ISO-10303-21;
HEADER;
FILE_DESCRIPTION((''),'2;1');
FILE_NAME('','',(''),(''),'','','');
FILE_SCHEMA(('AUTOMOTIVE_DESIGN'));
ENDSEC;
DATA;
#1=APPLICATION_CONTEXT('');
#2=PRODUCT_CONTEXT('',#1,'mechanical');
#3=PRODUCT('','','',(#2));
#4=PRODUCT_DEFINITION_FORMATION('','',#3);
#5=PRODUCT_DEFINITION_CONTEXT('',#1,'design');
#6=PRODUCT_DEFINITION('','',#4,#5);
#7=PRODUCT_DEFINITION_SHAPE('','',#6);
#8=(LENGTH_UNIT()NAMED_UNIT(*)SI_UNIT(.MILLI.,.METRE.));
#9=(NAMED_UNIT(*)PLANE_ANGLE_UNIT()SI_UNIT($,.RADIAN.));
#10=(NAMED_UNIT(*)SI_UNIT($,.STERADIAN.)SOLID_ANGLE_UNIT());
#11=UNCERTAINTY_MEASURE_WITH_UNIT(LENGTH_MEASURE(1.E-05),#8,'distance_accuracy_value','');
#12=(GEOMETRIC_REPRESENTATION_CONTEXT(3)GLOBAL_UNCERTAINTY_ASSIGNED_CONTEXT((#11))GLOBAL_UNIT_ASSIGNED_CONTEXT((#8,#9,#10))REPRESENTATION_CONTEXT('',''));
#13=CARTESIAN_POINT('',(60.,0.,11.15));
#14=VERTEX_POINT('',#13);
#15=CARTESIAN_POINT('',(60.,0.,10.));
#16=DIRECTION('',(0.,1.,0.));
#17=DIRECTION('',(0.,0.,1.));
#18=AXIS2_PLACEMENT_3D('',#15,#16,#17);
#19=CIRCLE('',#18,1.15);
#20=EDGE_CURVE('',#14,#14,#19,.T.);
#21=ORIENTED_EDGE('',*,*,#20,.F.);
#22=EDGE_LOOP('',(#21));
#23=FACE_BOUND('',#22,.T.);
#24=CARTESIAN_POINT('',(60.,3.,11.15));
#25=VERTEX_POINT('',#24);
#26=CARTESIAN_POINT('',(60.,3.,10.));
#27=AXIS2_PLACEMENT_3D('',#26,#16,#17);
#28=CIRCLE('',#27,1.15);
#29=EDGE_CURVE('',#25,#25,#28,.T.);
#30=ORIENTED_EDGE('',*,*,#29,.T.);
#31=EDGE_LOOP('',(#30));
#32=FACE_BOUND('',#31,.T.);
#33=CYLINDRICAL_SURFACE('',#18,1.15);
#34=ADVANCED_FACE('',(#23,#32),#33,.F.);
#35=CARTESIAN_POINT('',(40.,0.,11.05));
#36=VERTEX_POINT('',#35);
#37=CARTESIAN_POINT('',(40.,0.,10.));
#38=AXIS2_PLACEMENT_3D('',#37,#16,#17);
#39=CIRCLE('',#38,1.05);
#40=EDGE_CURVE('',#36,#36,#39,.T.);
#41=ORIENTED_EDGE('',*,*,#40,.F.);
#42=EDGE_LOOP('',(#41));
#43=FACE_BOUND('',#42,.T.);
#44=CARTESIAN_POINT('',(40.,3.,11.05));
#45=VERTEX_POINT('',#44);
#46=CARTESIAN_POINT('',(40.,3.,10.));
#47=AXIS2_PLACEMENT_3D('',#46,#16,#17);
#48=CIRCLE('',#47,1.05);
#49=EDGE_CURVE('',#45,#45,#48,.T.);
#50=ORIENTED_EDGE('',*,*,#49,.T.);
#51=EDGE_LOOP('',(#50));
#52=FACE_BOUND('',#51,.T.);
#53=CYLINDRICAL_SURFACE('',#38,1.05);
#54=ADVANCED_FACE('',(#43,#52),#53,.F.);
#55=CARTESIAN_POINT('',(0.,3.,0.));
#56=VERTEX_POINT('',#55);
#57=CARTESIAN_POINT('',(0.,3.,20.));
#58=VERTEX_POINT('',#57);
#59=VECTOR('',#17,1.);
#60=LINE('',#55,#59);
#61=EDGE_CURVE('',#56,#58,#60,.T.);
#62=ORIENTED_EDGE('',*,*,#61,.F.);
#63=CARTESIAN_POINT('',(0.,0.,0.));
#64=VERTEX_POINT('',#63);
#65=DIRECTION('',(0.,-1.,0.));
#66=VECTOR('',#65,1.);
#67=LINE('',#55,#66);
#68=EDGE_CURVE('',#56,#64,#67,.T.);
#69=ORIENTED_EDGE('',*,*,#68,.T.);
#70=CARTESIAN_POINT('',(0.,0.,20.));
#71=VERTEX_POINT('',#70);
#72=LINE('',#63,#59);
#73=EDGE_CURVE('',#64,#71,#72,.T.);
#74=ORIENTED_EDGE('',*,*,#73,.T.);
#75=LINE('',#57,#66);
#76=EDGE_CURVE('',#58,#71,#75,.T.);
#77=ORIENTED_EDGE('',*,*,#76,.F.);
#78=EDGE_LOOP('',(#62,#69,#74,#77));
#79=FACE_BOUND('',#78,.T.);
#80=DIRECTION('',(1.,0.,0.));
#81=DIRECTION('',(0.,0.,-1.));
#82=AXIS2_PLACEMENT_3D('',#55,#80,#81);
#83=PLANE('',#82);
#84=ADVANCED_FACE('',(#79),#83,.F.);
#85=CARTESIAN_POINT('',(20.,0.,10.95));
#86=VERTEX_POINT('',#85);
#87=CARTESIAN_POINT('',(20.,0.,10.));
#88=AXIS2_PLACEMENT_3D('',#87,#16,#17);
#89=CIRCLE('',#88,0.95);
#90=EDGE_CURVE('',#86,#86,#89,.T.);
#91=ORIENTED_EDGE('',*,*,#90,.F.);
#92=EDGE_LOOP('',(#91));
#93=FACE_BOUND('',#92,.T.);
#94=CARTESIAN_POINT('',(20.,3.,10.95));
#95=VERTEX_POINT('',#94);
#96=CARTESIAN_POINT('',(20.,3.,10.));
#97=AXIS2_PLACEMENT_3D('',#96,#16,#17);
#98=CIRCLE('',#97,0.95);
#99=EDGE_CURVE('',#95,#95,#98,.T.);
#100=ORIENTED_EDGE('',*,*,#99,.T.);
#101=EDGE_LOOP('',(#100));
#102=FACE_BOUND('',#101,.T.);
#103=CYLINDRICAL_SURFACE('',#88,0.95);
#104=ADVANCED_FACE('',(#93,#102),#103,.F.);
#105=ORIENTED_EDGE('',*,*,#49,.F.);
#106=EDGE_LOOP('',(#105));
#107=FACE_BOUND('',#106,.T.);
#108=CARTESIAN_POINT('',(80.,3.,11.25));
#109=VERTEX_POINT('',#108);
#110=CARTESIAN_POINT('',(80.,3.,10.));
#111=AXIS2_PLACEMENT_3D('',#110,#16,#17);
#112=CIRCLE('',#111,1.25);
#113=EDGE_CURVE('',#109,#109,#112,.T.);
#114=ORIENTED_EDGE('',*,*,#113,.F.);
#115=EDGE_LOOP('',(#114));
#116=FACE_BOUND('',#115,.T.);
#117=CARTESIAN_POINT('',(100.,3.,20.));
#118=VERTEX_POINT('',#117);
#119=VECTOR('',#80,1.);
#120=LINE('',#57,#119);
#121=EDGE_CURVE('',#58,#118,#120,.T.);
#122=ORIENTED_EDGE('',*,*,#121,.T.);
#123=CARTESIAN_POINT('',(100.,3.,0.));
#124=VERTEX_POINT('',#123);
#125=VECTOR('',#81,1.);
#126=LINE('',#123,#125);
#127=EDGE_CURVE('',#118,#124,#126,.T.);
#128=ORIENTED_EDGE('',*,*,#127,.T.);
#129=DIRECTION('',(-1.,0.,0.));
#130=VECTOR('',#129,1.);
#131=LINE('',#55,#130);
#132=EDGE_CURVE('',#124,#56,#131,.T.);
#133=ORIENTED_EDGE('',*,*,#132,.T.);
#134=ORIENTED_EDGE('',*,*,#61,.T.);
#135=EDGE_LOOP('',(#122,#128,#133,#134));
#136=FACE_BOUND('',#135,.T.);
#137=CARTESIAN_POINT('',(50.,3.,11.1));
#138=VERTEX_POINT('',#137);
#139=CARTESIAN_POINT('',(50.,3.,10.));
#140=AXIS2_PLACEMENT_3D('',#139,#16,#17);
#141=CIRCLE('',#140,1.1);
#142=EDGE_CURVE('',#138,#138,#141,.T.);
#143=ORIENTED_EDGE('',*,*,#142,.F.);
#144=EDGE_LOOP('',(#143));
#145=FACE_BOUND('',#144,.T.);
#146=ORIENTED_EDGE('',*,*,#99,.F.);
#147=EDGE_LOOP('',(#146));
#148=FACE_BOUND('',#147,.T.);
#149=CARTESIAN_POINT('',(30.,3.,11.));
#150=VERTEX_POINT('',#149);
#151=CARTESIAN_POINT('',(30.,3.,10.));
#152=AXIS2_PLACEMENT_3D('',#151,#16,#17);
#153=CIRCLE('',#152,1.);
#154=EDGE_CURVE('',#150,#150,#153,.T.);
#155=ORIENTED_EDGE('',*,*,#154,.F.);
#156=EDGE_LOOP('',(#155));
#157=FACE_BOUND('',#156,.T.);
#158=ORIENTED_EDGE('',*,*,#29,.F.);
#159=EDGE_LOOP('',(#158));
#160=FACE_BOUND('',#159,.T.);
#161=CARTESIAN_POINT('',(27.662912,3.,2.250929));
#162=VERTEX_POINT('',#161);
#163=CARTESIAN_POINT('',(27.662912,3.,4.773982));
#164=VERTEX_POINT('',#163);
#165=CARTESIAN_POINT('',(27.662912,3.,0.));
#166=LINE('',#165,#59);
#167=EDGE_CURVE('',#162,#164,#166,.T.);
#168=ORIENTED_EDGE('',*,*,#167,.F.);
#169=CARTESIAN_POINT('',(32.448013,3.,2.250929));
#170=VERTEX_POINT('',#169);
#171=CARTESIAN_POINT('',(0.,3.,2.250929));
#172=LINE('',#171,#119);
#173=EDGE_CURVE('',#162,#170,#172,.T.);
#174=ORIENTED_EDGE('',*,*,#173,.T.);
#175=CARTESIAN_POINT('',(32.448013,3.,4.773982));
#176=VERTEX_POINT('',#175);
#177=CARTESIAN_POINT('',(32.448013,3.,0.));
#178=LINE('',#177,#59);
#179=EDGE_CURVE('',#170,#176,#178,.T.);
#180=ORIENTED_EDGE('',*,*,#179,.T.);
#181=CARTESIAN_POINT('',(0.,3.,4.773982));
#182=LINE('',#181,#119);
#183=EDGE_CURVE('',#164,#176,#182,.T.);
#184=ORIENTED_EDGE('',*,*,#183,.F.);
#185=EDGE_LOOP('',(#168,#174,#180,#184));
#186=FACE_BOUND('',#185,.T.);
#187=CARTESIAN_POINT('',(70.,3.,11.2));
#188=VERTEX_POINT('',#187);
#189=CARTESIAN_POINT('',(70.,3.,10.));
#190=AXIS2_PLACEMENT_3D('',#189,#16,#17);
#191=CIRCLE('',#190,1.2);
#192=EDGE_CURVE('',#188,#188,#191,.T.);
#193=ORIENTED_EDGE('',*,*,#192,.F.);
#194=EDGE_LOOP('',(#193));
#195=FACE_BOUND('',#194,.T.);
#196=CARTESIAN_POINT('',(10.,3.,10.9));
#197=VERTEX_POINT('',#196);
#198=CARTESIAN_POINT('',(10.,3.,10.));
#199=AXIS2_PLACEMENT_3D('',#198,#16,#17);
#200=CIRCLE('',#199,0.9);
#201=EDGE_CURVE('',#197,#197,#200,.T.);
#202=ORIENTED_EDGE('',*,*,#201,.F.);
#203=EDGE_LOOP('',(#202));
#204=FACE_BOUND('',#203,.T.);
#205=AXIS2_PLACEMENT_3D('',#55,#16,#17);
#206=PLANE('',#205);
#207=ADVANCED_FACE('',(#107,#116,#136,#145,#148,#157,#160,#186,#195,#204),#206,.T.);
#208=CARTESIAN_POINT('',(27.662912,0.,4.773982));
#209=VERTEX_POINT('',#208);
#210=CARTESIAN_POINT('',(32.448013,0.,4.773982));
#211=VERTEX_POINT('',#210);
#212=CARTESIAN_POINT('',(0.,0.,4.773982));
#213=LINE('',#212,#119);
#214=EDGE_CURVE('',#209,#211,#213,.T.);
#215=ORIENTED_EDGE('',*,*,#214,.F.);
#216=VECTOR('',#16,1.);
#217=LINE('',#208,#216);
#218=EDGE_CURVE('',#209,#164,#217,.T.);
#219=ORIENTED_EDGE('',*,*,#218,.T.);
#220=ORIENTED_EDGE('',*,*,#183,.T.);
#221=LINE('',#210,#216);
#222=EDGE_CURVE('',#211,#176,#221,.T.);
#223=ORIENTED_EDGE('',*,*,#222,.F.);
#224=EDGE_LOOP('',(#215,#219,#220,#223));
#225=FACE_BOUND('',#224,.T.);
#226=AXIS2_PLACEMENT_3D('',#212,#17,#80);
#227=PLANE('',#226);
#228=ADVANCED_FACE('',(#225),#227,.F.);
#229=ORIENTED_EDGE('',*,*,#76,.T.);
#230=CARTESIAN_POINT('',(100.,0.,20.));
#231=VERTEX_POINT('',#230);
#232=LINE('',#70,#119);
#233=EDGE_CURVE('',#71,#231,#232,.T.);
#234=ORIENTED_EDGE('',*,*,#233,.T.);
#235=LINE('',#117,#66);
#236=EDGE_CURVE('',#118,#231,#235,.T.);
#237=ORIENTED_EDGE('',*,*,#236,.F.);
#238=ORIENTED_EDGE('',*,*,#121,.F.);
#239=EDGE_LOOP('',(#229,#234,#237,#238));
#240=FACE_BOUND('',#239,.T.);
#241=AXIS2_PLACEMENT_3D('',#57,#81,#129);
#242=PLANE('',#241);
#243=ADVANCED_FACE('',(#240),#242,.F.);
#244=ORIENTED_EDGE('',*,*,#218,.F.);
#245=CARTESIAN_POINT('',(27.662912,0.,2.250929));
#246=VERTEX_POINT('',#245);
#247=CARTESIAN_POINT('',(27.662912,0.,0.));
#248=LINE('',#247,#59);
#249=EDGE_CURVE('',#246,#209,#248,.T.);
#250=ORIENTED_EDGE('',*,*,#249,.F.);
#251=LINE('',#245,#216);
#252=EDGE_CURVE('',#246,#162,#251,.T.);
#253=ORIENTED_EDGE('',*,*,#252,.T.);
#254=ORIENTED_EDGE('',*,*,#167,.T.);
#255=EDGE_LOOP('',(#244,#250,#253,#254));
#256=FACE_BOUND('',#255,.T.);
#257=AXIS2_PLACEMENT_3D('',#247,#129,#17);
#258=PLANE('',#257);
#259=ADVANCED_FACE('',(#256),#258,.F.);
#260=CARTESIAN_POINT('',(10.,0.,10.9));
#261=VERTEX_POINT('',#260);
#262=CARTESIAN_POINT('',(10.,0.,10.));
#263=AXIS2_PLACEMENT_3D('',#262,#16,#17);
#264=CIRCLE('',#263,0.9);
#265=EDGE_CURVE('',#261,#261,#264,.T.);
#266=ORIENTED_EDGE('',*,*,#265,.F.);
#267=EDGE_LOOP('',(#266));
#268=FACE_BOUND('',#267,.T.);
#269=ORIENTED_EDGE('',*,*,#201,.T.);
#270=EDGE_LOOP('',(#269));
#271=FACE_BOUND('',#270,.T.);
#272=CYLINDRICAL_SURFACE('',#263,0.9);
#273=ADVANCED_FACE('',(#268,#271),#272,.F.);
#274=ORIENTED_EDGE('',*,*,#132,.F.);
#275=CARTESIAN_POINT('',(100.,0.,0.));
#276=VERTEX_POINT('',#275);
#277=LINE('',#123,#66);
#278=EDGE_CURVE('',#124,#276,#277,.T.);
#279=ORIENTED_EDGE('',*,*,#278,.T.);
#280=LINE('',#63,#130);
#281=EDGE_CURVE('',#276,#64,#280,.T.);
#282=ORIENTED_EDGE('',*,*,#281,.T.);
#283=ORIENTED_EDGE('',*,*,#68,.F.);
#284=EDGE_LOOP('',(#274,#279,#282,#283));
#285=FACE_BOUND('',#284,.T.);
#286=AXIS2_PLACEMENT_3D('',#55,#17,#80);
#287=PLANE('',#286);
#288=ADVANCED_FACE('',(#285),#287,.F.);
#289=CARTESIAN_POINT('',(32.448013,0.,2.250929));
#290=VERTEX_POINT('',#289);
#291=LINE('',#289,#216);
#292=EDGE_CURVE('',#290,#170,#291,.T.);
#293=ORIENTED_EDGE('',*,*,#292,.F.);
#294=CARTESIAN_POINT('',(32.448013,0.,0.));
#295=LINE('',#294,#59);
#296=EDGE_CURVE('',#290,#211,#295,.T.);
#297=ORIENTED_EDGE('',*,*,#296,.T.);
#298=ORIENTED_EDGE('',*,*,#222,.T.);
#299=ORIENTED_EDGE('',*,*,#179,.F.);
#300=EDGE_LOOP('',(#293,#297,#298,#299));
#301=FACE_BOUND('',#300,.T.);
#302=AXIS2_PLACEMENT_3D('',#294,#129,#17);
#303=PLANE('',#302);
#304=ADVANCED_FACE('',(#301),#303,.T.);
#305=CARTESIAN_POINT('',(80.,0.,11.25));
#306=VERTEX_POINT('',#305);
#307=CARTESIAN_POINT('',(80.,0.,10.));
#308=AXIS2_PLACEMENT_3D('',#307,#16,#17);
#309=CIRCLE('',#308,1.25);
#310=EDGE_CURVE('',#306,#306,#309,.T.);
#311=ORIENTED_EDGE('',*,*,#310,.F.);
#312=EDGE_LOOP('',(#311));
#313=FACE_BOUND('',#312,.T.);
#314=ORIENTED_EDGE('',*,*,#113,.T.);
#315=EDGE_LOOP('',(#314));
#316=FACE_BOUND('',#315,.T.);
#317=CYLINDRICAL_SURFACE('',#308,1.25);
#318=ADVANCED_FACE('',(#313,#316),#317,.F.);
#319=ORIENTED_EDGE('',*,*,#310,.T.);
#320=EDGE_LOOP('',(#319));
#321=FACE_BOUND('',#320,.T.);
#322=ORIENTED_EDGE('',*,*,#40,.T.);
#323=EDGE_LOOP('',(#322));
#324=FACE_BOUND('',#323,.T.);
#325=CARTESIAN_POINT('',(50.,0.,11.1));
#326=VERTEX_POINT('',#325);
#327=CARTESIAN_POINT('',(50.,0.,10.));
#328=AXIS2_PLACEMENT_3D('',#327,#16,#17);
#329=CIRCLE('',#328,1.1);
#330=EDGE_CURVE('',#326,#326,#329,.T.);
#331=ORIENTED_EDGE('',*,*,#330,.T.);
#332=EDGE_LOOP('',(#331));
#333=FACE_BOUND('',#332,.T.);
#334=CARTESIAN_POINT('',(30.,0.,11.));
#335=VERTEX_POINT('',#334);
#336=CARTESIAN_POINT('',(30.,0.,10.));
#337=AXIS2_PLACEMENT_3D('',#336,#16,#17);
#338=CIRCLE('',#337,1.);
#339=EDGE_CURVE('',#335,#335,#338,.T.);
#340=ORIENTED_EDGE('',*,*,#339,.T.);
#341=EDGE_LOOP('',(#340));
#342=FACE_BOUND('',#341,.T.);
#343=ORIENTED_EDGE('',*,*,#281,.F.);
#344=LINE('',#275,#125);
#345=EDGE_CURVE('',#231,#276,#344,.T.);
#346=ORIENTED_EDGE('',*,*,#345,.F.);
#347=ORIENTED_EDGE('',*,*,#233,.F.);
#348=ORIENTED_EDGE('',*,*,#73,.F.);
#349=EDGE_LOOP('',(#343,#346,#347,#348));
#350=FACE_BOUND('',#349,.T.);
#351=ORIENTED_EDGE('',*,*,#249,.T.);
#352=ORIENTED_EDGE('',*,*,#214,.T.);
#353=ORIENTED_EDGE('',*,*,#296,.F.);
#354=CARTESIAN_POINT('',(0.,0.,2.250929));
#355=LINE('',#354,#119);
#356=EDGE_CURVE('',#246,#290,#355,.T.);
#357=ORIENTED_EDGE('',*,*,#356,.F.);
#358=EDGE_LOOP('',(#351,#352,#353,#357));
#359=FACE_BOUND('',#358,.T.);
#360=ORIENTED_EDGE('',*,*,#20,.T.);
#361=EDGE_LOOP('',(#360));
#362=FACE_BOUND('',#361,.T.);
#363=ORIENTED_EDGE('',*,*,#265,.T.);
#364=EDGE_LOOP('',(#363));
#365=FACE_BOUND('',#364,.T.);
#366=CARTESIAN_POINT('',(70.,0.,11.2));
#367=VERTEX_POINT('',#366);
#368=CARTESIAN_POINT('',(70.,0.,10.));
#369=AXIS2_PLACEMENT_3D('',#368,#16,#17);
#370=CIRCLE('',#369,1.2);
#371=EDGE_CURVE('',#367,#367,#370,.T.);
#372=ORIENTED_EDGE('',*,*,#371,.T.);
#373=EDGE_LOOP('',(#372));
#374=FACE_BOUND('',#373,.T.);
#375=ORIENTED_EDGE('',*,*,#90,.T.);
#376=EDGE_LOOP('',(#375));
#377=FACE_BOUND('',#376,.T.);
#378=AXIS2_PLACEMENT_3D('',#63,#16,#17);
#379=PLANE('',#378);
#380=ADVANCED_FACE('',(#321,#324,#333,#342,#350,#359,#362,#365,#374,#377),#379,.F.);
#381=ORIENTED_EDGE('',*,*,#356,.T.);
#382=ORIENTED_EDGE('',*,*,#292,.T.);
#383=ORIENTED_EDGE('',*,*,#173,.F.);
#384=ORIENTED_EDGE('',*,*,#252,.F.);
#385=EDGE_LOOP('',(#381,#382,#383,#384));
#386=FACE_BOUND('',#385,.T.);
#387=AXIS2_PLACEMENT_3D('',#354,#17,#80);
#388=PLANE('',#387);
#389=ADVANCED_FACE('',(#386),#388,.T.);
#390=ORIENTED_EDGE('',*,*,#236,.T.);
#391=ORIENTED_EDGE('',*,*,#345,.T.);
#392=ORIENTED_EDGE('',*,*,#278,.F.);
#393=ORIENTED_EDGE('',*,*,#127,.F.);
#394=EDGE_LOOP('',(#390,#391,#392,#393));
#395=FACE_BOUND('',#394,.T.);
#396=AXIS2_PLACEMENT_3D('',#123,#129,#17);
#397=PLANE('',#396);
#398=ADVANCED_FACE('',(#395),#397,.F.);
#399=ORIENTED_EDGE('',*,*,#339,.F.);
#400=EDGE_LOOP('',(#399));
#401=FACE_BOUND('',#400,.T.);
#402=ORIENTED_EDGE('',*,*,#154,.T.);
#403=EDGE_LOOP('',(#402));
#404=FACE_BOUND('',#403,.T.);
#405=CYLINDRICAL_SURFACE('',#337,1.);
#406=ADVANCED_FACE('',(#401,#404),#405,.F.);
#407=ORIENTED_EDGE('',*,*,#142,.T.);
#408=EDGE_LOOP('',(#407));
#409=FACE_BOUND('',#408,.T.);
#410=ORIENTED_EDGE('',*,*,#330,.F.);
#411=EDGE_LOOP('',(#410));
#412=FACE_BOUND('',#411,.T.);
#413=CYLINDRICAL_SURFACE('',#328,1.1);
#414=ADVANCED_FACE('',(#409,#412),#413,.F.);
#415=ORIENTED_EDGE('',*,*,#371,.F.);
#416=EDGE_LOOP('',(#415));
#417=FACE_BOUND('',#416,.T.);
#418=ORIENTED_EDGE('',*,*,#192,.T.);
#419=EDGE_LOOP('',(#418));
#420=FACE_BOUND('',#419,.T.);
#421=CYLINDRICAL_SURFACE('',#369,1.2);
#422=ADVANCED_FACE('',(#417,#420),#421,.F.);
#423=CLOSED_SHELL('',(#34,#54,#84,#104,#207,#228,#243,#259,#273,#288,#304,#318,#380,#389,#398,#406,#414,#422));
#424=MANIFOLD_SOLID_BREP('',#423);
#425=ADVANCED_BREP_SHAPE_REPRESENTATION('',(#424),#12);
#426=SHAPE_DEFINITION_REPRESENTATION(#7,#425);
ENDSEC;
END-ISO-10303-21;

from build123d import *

# Parameters (mm, degrees)
SKETCH1_W           = 100
SKETCH1_H           = 20
BOSS_EXTRUDE1_DEPTH = 3
SKETCH2_W           = 4.785100676
SKETCH2_H           = 2.523053084
CUT_EXTRUDE1_DEPTH  = 3


with BuildPart() as part:
    # Sketch1 → Boss-Extrude1 (new body)
    with BuildSketch(Plane(origin=(0, 0, 0), x_dir=(1, 0, 0), z_dir=(0, 1, 0))):
        with Locations((50, -10)):
            Rectangle(SKETCH1_W, SKETCH1_H)
    extrude(amount=BOSS_EXTRUDE1_DEPTH)

    # Sketch2 → Cut-Extrude1 (cut)
    with BuildSketch(Plane(origin=(0, 3, 0), x_dir=(1, 0, 0), z_dir=(0, 1, 0))):
        with BuildLine():
            ThreePointArc((41.05, -10), (40, -8.95), (38.95, -10))
            Line((38.95, -10), (41.05, -10))
        make_face()
        with BuildLine():
            Line((41.05, -10), (38.95, -10))
            ThreePointArc((38.95, -10), (40, -11.05), (41.05, -10))
        make_face()
        with BuildLine():
            ThreePointArc((31, -10), (30, -9), (29, -10))
            Line((29, -10), (31, -10))
        make_face()
        with BuildLine():
            Line((31, -10), (29, -10))
            ThreePointArc((29, -10), (30, -11), (31, -10))
        make_face()
        with Locations((30.05546257, -3.512455318)):
            Rectangle(SKETCH2_W, SKETCH2_H)
        with BuildLine():
            ThreePointArc((20.95, -10), (20, -9.05), (19.05, -10))
            Line((19.05, -10), (20.95, -10))
        make_face()
        with BuildLine():
            Line((20.95, -10), (19.05, -10))
            ThreePointArc((19.05, -10), (20, -10.95), (20.95, -10))
        make_face()
        with BuildLine():
            ThreePointArc((71.2, -10), (70, -8.8), (68.8, -10))
            Line((68.8, -10), (71.2, -10))
        make_face()
        with BuildLine():
            Line((71.2, -10), (68.8, -10))
            ThreePointArc((68.8, -10), (70, -11.2), (71.2, -10))
        make_face()
        with BuildLine():
            ThreePointArc((81.25, -10), (80, -8.75), (78.75, -10))
            Line((78.75, -10), (81.25, -10))
        make_face()
        with BuildLine():
            Line((81.25, -10), (78.75, -10))
            ThreePointArc((78.75, -10), (80, -11.25), (81.25, -10))
        make_face()
        with BuildLine():
            ThreePointArc((51.1, -10), (50, -8.9), (48.9, -10))
            Line((48.9, -10), (51.1, -10))
        make_face()
        with BuildLine():
            Line((51.1, -10), (48.9, -10))
            ThreePointArc((48.9, -10), (50, -11.1), (51.1, -10))
        make_face()
        with BuildLine():
            ThreePointArc((10.9, -10), (10, -9.1), (9.1, -10))
            Line((9.1, -10), (10.9, -10))
        make_face()
        with BuildLine():
            Line((10.9, -10), (9.1, -10))
            ThreePointArc((9.1, -10), (10, -10.9), (10.9, -10))
        make_face()
        with BuildLine():
            ThreePointArc((61.15, -10), (60, -8.85), (58.85, -10))
            Line((58.85, -10), (61.15, -10))
        make_face()
        with BuildLine():
            Line((61.15, -10), (58.85, -10))
            ThreePointArc((58.85, -10), (60, -11.15), (61.15, -10))
        make_face()
    extrude(amount=-CUT_EXTRUDE1_DEPTH, mode=Mode.SUBTRACT)


solid = part.part
